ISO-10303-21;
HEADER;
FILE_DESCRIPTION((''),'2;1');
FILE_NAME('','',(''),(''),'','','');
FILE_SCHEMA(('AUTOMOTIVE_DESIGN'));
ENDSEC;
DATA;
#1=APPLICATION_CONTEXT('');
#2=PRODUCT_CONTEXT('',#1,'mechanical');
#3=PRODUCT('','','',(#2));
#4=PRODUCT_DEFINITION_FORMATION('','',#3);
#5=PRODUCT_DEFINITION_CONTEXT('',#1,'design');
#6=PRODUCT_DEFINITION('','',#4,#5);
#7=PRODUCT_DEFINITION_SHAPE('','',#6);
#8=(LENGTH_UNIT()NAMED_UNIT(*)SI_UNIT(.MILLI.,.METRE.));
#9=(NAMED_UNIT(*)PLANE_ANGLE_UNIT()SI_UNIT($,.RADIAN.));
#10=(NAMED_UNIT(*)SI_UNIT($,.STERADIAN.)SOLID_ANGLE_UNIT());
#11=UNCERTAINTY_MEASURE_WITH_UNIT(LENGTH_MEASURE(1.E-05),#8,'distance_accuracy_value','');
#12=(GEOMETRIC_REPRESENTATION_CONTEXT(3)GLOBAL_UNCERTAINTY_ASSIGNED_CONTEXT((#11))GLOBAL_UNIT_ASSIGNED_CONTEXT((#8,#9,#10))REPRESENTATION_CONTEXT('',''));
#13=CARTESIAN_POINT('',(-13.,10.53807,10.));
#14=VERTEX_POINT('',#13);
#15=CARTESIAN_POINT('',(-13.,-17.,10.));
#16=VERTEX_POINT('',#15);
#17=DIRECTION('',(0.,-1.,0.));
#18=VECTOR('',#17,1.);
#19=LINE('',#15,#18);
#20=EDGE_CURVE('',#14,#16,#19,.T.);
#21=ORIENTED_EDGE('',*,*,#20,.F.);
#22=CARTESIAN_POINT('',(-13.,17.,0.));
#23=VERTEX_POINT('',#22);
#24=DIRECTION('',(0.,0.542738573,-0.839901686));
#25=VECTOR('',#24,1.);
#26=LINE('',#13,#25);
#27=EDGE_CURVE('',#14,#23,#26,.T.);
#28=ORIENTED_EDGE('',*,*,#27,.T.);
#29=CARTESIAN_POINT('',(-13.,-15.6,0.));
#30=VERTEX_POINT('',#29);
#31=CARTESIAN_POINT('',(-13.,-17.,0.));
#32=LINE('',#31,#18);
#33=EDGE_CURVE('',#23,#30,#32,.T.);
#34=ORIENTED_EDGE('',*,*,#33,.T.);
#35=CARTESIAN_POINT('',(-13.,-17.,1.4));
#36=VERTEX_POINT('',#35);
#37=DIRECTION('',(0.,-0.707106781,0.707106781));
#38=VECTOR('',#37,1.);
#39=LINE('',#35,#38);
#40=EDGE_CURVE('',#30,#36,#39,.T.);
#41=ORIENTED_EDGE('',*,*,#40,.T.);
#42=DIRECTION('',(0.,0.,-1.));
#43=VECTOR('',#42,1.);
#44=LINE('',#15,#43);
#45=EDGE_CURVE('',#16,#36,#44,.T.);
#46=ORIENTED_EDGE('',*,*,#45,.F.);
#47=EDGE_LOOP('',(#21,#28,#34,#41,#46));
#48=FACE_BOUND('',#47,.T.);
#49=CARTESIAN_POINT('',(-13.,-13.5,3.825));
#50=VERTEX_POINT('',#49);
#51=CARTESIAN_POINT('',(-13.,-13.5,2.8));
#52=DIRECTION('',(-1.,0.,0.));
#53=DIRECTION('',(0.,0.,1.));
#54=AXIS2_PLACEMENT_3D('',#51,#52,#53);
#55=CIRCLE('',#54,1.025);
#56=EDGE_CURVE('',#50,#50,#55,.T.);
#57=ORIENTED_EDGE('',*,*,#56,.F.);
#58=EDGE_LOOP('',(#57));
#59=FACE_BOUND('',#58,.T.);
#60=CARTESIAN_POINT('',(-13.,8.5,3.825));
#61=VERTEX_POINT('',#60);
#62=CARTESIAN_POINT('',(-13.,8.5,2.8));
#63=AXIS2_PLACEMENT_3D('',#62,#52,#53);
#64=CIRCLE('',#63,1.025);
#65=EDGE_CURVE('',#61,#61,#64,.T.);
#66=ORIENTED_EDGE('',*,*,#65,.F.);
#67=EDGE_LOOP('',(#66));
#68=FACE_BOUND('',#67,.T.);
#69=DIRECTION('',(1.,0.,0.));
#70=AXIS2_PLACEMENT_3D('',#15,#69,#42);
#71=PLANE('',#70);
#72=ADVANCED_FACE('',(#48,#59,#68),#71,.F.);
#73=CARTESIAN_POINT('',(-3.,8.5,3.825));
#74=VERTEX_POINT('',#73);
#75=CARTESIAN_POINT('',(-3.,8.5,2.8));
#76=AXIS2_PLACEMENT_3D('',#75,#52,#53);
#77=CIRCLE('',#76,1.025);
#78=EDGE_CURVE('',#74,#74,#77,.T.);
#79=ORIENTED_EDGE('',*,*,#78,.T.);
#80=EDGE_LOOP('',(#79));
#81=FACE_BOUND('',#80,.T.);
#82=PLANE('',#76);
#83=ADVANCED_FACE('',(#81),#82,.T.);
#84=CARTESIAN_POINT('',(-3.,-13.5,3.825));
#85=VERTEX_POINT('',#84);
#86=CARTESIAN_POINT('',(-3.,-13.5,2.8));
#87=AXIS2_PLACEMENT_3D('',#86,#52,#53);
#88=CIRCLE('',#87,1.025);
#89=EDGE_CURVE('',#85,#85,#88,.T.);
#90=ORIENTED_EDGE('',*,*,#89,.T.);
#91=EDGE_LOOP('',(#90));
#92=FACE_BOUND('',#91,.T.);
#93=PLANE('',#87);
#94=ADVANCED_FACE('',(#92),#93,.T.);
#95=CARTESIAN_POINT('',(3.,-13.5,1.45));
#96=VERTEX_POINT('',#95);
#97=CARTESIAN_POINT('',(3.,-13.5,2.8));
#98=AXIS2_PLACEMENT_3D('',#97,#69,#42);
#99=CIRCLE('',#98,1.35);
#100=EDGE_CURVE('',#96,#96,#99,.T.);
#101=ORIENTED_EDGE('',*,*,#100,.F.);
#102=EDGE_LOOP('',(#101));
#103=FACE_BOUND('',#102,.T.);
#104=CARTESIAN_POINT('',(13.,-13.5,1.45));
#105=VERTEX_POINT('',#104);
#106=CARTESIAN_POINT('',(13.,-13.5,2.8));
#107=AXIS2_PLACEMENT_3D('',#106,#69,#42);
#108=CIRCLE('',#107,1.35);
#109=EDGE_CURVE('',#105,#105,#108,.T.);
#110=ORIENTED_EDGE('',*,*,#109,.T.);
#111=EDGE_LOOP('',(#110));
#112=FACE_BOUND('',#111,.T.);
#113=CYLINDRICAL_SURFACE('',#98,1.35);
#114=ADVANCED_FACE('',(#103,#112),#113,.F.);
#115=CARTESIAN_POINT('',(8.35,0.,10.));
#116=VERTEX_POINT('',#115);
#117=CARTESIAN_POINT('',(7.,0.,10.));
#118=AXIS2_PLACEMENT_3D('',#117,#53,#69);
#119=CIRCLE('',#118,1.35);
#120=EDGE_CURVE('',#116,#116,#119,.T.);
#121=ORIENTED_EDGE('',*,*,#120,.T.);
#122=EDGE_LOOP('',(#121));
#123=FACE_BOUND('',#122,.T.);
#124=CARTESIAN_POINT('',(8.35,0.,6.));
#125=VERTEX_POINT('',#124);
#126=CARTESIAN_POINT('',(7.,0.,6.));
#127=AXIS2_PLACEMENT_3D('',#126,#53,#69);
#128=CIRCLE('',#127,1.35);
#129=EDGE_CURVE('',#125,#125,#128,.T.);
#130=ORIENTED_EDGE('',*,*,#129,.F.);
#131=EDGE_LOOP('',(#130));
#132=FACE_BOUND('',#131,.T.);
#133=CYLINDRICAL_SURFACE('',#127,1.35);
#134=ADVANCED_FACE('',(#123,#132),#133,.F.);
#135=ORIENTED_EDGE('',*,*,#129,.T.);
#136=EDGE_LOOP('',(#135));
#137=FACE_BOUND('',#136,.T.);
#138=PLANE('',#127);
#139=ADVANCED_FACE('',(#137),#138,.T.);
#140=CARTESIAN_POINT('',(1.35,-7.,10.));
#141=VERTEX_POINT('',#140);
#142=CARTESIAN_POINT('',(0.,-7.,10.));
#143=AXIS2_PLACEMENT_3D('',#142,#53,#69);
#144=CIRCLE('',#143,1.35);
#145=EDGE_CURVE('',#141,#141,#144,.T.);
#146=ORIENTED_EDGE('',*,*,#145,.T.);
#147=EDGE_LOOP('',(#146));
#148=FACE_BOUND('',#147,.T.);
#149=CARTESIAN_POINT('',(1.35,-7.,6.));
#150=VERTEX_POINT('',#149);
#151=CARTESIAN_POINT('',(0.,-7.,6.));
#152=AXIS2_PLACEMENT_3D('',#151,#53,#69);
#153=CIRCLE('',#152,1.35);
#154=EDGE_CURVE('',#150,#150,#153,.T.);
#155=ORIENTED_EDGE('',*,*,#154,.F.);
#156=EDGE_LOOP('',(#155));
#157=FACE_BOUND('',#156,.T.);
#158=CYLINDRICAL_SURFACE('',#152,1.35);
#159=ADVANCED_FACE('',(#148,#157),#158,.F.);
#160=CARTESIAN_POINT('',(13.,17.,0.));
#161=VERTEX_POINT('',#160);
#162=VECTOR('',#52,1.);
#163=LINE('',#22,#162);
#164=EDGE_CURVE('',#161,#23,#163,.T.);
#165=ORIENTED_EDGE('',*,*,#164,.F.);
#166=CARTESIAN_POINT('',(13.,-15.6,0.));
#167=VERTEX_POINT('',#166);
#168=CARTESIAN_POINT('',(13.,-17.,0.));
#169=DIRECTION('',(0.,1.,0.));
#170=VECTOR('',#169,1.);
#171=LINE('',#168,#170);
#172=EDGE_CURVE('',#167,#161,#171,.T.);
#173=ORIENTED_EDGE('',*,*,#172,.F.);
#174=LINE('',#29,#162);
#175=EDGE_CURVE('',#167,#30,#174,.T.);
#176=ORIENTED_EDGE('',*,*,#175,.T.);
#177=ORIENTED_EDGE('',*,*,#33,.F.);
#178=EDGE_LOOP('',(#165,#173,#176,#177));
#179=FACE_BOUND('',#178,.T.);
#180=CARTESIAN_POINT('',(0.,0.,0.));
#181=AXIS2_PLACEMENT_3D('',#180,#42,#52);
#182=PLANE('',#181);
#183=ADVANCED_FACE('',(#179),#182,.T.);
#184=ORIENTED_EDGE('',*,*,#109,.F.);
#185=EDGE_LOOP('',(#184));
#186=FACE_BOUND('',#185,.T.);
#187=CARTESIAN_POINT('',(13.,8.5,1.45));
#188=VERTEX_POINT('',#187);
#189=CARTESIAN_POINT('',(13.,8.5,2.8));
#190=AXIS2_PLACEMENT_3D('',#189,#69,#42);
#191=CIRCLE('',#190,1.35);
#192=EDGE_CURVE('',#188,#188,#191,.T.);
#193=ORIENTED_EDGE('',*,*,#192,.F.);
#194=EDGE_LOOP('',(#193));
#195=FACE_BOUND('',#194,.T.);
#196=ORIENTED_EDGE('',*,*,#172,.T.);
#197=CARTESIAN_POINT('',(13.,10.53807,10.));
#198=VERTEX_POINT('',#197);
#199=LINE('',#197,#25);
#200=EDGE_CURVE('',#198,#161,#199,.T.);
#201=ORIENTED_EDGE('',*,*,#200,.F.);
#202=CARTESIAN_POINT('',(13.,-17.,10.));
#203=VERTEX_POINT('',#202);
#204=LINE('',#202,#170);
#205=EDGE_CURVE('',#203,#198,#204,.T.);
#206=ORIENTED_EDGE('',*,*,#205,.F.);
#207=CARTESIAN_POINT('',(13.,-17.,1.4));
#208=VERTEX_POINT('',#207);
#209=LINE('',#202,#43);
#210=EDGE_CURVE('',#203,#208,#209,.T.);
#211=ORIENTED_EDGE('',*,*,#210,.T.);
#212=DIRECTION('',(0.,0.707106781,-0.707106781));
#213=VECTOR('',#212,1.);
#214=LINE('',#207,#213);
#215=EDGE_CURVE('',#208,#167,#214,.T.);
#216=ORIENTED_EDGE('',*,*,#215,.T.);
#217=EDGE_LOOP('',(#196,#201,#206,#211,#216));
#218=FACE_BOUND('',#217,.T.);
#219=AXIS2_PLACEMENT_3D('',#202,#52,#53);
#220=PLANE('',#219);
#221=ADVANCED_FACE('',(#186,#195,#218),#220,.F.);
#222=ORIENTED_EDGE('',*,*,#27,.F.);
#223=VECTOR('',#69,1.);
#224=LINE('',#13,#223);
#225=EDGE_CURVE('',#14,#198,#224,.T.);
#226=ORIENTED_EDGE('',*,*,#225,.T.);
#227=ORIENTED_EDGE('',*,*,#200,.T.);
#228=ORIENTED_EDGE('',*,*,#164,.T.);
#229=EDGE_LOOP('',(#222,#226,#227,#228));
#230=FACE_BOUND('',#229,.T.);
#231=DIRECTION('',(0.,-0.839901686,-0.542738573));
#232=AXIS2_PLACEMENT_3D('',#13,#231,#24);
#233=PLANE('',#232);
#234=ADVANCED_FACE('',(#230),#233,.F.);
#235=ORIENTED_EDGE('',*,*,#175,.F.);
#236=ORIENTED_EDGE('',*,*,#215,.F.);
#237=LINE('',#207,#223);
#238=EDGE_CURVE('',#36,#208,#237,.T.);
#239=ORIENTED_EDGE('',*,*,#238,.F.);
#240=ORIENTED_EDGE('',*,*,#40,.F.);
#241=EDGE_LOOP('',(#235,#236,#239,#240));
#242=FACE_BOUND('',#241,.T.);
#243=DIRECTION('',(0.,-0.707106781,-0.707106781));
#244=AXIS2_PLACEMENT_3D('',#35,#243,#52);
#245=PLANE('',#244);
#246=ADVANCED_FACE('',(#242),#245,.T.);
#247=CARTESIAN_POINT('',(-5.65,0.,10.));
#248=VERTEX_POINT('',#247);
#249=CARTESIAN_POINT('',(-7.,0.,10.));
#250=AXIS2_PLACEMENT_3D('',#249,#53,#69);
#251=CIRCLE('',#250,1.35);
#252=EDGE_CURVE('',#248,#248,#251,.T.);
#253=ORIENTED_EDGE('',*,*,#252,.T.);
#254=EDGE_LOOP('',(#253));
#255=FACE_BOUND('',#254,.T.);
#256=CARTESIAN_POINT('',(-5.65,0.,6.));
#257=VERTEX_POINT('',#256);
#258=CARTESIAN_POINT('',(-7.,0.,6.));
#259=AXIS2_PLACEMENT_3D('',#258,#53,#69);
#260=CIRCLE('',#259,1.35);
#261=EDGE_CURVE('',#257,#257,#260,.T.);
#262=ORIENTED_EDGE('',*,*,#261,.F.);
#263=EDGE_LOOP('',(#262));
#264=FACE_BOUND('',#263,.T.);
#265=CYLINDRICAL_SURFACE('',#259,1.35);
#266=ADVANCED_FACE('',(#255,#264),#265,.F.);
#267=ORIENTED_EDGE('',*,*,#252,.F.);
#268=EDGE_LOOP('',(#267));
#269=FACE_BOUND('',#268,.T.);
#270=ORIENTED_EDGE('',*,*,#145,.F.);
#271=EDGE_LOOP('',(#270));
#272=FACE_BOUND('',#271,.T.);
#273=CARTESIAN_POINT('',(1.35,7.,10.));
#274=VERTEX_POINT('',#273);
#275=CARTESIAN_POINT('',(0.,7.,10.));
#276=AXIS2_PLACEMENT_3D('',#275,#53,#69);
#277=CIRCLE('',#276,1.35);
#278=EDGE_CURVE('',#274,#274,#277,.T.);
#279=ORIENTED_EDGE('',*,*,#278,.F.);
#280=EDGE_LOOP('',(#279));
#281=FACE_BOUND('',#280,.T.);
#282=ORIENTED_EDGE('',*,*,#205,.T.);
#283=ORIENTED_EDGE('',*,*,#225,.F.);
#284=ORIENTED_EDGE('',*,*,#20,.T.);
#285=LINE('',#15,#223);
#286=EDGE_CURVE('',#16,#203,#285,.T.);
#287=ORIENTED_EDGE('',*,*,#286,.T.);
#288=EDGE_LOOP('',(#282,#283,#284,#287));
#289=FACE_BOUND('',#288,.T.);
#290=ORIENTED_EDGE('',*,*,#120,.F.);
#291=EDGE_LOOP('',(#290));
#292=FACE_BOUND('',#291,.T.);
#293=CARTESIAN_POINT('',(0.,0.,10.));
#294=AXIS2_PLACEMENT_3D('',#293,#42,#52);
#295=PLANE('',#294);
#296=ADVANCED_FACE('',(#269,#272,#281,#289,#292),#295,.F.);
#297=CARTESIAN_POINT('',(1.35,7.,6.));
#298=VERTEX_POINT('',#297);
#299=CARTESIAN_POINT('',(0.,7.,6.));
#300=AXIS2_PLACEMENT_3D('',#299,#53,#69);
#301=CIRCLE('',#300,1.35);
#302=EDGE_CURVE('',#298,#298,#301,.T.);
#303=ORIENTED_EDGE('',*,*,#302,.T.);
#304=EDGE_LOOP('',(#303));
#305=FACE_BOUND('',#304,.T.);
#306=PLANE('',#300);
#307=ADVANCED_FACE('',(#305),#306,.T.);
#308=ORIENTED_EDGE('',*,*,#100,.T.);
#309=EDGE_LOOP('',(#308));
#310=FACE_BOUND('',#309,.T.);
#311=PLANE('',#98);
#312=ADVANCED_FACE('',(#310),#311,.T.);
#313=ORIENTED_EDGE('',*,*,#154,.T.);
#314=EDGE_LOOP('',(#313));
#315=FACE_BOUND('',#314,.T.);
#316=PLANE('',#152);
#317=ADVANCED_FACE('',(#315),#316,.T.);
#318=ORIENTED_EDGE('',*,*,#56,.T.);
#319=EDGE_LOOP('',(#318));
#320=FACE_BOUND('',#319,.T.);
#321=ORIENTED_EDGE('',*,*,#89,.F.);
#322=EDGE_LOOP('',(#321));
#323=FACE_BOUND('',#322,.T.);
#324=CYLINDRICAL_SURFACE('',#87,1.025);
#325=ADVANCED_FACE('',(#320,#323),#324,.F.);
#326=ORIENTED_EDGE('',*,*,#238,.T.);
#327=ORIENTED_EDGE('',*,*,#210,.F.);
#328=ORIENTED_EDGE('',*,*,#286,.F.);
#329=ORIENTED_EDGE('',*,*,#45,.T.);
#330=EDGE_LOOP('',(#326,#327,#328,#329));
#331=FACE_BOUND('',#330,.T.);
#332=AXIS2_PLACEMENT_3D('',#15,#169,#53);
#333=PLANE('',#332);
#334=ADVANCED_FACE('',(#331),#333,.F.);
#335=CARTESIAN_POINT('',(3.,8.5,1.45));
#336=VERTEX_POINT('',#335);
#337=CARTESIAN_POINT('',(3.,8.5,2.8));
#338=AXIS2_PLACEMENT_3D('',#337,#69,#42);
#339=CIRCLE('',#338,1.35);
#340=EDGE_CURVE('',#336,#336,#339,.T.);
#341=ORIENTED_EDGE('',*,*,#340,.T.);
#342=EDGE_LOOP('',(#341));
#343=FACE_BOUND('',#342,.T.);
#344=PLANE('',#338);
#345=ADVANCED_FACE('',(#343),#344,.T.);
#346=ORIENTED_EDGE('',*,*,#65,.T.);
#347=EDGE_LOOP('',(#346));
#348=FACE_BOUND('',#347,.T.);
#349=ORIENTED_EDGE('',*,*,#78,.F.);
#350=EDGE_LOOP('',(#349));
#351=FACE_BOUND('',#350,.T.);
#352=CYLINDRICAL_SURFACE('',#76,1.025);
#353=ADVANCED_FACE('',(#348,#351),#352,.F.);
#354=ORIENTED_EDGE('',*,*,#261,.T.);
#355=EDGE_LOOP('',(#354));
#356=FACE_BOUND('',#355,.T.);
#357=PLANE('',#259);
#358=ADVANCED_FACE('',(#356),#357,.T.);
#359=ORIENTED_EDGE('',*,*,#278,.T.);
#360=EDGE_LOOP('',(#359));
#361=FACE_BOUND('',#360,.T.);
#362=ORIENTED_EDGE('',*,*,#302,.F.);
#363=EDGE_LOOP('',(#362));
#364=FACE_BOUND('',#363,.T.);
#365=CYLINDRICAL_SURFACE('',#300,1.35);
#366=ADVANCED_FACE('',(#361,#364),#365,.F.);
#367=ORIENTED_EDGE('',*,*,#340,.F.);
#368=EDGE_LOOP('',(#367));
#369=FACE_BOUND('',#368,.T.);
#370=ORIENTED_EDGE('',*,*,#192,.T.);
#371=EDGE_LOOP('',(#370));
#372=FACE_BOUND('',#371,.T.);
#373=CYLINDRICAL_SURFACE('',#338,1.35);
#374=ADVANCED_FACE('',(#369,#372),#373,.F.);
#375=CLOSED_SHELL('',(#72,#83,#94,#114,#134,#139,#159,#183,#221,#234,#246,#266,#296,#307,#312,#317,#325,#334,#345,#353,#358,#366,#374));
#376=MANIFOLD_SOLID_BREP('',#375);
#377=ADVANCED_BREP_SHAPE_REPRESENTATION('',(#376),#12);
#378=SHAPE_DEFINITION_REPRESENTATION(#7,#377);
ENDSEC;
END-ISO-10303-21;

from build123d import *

# Parameters (mm, degrees)
ESBO_O1_W                  = 26
ESBO_O1_H                  = 34
RESSALTO_EXTRUS_O1_DEPTH   = 10
CHANFRO2_SIZE              = 1.4
CORTE_EXTRUS_O1_DEPTH      = 24.622023622
CORTE_EXTRUS_O1_DEPTH_BACK = 24.622023622
ESBO_O8_R                  = 1.35
CORTE_EXTRUS_O2_DEPTH      = 10
ESBO_O9_R                  = 1.025
CORTE_EXTRUS_O3_DEPTH      = 10
ESBO_O11_R                 = 1.35
CORTE_EXTRUS_O5_DEPTH      = 4


with BuildPart() as part:
    # Esboço1 → Ressalto-extrusão1 (new body)
    with BuildSketch(Plane.XY):
        Rectangle(ESBO_O1_W, ESBO_O1_H)
    extrude(amount=RESSALTO_EXTRUS_O1_DEPTH)

    # Chanfro2
    chanfro2_edges = [part.edges().sort_by_distance(p)[0] for p in [
        (0, -17, 0),
    ]]
    chamfer(chanfro2_edges, length=CHANFRO2_SIZE)

    # Esboço5 → Corte-extrusão1 (cut, two sides: drawn at the far end of the back side and taken through both)
    with BuildSketch(Plane(origin=(0, 0, 0), x_dir=(0, 0, -1), z_dir=(1, 0, 0)).offset(-CORTE_EXTRUS_O1_DEPTH_BACK)):
        Polygon((0, 17), (-10, 17), (-10, 10.5380702), align=None)
    extrude(amount=CORTE_EXTRUS_O1_DEPTH + CORTE_EXTRUS_O1_DEPTH_BACK, mode=Mode.SUBTRACT)

    # Esboço8 → Corte-extrusão2 (cut)
    with BuildSketch(Plane(origin=(13, 0, 0), x_dir=(0, 0, -1), z_dir=(1, 0, 0))):
        with Locations((-2.8, 8.5)):
            Circle(ESBO_O8_R)
        with Locations((-2.8, -13.5)):
            Circle(ESBO_O8_R)
    extrude(amount=-CORTE_EXTRUS_O2_DEPTH, mode=Mode.SUBTRACT)

    # Esboço9 → Corte-extrusão3 (cut)
    with BuildSketch(Plane.ZY.offset(13)):
        with Locations((2.8, 8.5)):
            Circle(ESBO_O9_R)
        with Locations((2.8, -13.5)):
            Circle(ESBO_O9_R)
    extrude(amount=-CORTE_EXTRUS_O3_DEPTH, mode=Mode.SUBTRACT)

    # Esboço11 → Corte-extrusão5 (cut)
    with BuildSketch(Plane.XY.offset(10)):
        with Locations((7, 0)):
            Circle(ESBO_O11_R)
        with Locations((0, -7)):
            Circle(ESBO_O11_R)
        with Locations((-7, 0)):
            Circle(ESBO_O11_R)
        with Locations((0, 7)):
            Circle(ESBO_O11_R)
    extrude(amount=-CORTE_EXTRUS_O5_DEPTH, mode=Mode.SUBTRACT)


solid = part.part
